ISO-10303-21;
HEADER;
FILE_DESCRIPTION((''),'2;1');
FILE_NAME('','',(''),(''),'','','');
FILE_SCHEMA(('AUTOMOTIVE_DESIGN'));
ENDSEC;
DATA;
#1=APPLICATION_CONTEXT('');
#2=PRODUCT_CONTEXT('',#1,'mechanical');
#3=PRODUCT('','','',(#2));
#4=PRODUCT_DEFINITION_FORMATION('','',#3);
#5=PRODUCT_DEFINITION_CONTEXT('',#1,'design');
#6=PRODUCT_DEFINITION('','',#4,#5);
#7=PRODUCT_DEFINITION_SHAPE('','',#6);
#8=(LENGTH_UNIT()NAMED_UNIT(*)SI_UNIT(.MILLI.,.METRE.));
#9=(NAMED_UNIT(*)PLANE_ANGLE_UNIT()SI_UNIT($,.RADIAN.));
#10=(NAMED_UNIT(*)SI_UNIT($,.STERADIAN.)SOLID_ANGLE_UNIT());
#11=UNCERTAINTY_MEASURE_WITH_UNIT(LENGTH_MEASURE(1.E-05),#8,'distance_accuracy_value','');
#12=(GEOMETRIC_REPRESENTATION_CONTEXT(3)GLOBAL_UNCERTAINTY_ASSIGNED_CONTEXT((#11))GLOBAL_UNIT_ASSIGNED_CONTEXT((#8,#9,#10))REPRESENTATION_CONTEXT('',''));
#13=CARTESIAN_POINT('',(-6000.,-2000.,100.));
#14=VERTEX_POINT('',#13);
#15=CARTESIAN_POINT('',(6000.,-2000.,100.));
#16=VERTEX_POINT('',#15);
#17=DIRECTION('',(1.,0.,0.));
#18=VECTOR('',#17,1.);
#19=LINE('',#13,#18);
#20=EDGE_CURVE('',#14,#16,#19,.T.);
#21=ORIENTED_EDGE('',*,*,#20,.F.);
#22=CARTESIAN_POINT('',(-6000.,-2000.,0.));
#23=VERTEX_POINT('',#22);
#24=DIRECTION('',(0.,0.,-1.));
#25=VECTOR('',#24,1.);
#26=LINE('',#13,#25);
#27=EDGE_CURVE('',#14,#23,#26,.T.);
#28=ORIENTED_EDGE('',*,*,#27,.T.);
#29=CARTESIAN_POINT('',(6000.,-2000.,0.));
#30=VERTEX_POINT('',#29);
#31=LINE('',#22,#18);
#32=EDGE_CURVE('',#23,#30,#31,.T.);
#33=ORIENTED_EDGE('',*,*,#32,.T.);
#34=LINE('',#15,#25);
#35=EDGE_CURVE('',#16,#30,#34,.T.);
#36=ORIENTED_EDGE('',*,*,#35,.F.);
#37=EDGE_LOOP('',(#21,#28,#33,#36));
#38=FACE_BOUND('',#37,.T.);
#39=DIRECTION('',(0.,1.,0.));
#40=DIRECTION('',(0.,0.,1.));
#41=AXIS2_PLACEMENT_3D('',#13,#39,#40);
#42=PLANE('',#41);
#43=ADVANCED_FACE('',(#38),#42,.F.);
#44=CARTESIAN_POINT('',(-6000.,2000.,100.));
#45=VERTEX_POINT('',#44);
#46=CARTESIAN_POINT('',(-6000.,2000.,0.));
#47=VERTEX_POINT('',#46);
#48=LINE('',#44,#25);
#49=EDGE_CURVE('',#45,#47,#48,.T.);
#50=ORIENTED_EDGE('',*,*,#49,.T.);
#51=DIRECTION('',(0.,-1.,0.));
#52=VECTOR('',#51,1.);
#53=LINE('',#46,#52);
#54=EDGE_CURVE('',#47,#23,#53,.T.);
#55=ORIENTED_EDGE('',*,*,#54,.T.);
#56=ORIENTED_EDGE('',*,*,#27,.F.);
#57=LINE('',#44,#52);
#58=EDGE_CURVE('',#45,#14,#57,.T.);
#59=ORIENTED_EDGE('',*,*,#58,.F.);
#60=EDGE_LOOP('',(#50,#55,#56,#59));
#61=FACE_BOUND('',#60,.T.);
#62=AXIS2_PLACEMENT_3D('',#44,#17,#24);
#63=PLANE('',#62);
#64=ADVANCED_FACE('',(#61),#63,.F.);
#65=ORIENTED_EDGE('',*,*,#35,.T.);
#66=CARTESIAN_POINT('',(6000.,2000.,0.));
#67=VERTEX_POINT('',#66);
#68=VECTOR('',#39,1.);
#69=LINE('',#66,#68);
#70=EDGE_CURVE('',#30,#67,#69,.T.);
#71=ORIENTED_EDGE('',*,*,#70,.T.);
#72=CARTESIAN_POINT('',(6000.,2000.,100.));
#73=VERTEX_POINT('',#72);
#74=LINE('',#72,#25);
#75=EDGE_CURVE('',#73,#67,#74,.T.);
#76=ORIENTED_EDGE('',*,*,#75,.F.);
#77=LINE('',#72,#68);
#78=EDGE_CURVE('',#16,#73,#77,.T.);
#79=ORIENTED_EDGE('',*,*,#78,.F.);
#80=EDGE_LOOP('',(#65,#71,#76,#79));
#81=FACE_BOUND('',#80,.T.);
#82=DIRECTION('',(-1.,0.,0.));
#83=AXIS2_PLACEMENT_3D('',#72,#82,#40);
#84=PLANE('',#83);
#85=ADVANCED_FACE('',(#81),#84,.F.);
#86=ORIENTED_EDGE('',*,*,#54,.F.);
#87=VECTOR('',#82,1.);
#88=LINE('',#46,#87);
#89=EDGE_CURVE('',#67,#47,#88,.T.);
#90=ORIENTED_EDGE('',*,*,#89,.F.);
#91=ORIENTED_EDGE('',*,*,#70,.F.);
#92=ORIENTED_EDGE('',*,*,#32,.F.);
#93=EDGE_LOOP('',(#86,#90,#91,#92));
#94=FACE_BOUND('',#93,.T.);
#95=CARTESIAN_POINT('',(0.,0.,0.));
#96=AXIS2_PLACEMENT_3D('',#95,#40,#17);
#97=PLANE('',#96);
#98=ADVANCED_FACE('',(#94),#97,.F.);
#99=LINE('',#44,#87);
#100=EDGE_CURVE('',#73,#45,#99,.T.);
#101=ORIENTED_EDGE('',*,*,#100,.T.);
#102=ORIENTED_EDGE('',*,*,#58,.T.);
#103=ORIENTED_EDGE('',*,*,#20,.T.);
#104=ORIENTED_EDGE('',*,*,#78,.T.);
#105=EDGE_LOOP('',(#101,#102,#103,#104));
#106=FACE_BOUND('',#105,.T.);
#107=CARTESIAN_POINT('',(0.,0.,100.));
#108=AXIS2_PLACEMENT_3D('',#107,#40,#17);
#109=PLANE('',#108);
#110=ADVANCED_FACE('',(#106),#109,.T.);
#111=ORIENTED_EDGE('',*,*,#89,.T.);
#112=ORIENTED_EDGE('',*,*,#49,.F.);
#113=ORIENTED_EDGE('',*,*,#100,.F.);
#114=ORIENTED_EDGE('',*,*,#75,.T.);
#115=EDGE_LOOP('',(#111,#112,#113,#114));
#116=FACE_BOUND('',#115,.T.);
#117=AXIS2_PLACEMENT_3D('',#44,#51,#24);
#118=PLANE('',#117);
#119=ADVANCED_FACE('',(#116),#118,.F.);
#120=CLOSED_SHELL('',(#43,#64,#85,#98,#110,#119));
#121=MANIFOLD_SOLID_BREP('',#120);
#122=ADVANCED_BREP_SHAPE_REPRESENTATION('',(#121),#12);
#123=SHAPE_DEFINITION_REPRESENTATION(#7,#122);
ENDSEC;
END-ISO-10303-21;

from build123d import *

# Parameters (mm, degrees)
SKETCH_1_W      = 12000
SKETCH_1_H      = 4000
EXTRUDE_1_DEPTH = 100


with BuildPart() as part:
    # 草图1 → 凸台-拉伸1 (new body)
    with BuildSketch(Plane.XY):
        Rectangle(SKETCH_1_W, SKETCH_1_H)
    extrude(amount=EXTRUDE_1_DEPTH)


solid = part.part
